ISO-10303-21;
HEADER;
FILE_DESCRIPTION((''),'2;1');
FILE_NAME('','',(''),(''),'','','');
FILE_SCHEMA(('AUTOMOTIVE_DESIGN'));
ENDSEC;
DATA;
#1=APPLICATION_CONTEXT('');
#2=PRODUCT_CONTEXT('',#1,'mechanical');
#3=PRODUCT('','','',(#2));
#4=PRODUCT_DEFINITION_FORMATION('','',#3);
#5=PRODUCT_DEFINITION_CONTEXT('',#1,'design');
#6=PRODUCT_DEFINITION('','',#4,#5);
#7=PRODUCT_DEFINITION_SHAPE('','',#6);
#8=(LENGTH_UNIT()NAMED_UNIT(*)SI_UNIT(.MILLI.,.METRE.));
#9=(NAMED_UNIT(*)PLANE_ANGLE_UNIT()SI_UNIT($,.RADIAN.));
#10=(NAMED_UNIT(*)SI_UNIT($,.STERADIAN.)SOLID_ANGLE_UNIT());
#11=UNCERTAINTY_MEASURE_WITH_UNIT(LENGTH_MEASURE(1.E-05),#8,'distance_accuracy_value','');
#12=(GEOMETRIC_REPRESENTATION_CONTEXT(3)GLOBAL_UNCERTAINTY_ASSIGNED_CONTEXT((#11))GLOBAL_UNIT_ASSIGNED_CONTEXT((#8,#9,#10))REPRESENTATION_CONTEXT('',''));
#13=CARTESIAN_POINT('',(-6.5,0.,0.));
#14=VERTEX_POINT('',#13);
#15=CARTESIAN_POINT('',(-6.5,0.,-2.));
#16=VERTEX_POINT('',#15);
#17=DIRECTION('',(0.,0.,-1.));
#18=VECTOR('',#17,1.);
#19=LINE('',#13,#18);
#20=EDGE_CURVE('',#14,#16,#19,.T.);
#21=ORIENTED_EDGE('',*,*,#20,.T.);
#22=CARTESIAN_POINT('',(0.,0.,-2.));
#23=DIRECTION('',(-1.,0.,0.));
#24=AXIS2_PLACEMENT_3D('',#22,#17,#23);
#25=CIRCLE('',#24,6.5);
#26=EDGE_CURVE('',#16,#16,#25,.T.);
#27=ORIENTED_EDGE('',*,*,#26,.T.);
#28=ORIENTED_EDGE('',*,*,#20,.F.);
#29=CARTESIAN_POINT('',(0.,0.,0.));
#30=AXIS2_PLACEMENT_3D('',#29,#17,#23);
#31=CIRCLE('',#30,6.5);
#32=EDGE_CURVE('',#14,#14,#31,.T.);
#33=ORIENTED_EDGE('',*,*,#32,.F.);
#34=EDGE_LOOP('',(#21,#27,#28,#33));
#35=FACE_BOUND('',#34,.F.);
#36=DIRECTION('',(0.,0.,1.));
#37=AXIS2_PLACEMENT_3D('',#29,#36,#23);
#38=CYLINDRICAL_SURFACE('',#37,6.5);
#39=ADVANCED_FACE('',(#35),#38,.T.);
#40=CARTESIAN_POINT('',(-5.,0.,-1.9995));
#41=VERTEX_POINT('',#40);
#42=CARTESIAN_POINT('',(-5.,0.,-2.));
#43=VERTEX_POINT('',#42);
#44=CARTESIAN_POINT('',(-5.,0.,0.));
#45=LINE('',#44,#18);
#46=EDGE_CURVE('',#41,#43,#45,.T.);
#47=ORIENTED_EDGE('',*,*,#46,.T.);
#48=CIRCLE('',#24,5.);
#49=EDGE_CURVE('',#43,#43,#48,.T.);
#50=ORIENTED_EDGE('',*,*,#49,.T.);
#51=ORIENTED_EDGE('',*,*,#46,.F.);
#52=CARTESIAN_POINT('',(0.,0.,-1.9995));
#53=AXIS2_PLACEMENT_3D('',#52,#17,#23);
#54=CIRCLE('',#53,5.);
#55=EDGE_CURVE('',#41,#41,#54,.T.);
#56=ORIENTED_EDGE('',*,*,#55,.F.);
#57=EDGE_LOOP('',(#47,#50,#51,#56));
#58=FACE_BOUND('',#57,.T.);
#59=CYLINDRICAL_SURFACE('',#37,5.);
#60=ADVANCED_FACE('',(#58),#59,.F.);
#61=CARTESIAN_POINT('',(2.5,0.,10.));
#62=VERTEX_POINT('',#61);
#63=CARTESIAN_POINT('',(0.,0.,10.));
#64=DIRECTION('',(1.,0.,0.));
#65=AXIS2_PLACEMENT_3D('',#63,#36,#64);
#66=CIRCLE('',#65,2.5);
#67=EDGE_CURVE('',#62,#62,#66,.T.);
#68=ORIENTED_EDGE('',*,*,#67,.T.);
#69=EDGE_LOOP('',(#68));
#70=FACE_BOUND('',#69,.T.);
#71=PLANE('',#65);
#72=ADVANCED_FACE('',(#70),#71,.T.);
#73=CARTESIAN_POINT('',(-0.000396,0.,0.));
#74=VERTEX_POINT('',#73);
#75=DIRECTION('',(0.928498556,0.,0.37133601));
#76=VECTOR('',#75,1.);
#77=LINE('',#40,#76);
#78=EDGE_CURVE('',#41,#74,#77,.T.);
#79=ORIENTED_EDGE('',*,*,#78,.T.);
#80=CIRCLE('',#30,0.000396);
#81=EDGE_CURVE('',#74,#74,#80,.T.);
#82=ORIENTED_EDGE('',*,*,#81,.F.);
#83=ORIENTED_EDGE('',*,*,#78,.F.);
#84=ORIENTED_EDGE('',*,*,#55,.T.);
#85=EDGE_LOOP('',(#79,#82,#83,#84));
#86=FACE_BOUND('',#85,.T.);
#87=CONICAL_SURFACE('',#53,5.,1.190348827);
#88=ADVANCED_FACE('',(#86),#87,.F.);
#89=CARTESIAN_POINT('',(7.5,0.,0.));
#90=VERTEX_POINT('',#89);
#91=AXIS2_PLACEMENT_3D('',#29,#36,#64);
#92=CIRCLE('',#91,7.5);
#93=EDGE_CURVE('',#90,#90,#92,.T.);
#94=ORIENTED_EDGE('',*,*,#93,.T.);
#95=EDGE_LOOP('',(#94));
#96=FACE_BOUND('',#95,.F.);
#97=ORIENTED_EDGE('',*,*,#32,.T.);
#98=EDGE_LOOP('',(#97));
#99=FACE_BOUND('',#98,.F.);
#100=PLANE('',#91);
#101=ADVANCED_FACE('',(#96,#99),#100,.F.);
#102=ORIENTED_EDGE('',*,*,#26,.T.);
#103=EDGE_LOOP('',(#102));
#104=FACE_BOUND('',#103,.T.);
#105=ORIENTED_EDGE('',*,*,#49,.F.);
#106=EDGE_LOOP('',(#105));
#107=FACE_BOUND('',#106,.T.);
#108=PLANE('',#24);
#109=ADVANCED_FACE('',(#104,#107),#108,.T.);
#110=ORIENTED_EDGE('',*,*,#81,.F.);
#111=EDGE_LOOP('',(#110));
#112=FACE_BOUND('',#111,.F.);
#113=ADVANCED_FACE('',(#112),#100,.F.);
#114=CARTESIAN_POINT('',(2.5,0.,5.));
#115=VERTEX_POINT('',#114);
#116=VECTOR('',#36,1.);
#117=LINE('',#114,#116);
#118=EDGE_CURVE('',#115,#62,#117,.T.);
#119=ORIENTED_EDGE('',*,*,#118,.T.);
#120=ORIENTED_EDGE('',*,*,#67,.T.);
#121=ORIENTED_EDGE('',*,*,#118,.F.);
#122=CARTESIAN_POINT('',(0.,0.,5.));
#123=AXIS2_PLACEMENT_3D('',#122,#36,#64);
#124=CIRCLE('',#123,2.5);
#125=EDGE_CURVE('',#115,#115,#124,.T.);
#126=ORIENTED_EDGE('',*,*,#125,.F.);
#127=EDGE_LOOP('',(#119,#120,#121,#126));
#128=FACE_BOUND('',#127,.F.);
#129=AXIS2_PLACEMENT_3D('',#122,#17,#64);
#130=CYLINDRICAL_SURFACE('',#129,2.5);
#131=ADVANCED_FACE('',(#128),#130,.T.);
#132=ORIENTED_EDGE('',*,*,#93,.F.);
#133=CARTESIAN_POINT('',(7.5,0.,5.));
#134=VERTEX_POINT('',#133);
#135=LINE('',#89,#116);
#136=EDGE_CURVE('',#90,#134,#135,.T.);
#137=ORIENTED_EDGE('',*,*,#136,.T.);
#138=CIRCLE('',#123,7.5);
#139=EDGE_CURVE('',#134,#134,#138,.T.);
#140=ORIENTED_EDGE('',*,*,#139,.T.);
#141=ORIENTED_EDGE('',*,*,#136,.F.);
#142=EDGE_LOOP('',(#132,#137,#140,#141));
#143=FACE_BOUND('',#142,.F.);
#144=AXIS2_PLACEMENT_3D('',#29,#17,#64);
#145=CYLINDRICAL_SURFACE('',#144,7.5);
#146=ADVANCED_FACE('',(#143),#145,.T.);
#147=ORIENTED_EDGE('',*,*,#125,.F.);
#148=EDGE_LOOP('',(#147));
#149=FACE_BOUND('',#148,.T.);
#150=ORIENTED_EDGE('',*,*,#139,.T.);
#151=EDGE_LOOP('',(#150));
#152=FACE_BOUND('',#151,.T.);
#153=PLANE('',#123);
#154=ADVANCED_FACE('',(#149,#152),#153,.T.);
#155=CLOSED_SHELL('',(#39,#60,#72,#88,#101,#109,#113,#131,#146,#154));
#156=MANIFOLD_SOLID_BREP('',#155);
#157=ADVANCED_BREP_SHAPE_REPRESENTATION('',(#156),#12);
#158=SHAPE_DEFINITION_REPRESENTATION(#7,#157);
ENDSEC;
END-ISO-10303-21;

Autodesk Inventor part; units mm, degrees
ref_plane "YZ Plane" through (0, 0, 0) normal (1, 0, 0) x (0, 1, 0)
ref_plane "XZ Plane" through (0, 0, 0) normal (0, 1, 0) x (-1, 0, 0)
ref_plane "XY Plane" through (0, 0, 0) normal (0, 0, 1) x (1, 0, 0)
sketch "Sketch1" plane through (0, 0, 0) normal (0, 0, 1) x (1, 0, 0)
  circle A0 centre (0, 0) radius 7.5
  dimension "d0" = 15
extrude "Extrusion1" add sketch "Sketch1" along normal blind 5
sketch "Sketch2" plane through (0, 0, 0) normal (0, 0, -1) x (-1, 0, 0)
  circle A0 centre (0, 0) radius 6.5
  circle A1 centre (0, 0) radius 5
  circle A2 centre (0, 0) radius 7.5 projected
  dimension "d3" = 13
  dimension "d4" = 15
  dimension "d5" = 10
extrude "Extrusion2" add sketch "Sketch2" along normal blind 2 contours A0
sketch "Sketch3" plane through (0, 0, 5) normal (0, 0, 1) x (1, 0, 0)
  circle A0 centre (0, 0) radius 7.5 projected
  circle A1 centre (0, 0) radius 2.5
  dimension "d8" = 15
  dimension "d13" = 5
extrude "Extrusion3" add sketch "Sketch3" along normal blind 5 contours A1
chamfer "Chamfer1" distance 2 angle 68.199 1 edges at (5, 0, 0) measured on face at (-4.9838, -0.4023, -1.3333)
properties part number "stredne_koleso"
